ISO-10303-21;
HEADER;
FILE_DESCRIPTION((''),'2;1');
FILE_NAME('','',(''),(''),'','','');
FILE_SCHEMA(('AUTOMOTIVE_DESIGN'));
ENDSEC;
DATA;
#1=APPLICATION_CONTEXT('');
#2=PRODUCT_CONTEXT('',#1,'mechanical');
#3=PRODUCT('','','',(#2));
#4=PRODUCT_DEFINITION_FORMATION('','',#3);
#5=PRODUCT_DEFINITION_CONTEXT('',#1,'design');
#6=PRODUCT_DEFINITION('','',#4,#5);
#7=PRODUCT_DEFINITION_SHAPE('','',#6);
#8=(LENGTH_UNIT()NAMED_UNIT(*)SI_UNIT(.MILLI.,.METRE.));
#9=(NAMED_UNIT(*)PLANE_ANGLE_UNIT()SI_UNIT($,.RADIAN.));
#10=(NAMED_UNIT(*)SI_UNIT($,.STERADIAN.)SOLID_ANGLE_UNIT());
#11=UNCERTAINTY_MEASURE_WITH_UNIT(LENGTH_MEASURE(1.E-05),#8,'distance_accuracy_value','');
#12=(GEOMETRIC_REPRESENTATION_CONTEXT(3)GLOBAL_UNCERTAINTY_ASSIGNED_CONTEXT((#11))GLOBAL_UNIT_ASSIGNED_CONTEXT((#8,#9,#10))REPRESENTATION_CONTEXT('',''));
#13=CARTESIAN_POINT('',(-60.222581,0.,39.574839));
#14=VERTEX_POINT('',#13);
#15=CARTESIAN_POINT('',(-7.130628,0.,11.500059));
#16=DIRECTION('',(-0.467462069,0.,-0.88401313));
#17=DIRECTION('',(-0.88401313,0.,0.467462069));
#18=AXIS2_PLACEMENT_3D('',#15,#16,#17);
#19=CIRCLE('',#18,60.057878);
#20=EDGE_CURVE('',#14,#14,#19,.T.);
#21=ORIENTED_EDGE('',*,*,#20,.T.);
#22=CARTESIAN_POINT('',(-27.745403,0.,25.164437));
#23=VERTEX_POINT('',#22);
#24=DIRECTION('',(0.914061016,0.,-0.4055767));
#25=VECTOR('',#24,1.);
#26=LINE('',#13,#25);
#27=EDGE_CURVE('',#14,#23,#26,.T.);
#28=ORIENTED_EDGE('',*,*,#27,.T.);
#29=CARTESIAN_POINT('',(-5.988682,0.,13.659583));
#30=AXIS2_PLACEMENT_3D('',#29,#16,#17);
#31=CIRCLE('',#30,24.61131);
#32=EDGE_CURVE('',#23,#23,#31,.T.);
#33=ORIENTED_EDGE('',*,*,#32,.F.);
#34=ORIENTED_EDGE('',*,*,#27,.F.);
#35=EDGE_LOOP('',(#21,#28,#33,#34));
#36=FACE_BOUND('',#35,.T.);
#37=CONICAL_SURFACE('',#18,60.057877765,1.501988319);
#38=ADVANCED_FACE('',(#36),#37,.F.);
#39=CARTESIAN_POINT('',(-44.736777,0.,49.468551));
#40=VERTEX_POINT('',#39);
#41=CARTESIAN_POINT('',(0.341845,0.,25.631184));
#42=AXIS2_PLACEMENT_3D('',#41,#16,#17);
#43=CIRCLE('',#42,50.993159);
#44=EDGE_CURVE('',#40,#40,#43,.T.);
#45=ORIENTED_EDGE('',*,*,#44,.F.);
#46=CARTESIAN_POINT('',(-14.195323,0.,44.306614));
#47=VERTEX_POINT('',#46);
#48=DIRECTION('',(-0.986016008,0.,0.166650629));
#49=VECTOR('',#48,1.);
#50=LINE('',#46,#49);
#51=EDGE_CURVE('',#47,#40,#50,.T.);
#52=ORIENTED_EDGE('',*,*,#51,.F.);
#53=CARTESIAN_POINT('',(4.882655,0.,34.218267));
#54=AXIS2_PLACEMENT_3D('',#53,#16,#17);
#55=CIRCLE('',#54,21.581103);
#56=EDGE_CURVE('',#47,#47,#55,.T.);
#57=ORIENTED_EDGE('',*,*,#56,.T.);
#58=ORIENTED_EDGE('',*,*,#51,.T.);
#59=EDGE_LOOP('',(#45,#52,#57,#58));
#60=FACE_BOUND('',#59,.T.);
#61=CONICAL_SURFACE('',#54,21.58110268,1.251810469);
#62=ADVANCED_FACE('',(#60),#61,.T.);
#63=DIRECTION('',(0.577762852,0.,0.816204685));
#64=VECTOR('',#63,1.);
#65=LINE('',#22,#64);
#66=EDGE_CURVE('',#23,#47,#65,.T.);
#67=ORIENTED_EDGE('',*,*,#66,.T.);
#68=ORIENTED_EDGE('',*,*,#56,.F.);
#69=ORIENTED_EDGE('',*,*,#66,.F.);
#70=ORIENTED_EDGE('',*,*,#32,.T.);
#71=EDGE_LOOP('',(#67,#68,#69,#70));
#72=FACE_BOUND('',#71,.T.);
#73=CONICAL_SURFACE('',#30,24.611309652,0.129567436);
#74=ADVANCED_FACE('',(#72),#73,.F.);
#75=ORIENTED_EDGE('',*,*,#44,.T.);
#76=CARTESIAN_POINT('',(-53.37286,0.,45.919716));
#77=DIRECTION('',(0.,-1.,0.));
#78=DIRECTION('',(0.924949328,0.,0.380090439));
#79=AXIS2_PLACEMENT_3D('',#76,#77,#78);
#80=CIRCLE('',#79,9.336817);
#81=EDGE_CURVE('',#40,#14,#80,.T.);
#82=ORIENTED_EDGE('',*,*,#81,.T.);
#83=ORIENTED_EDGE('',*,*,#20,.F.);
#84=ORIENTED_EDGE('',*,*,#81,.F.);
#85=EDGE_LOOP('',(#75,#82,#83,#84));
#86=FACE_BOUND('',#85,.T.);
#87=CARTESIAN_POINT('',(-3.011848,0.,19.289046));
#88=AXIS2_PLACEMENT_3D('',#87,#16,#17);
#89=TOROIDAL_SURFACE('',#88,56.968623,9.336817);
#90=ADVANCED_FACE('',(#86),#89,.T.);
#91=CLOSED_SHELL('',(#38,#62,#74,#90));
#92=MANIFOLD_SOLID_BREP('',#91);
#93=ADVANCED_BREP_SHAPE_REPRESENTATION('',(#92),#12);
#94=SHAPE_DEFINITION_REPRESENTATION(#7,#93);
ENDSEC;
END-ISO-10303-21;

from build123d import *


with BuildPart() as f1:
    # F0 (on Front) → F1 (revolve)
    with BuildSketch(Plane.XZ):
        with BuildLine():
            ThreePointArc((-44.736777, 49.468551), (-58.399703, 53.787816), (-60.222581, 39.574839))
            Line((-60.222581, 39.574839), (-27.745403, 25.164437))
            Line((-27.745403, 25.164437), (-14.195323, 44.306614))
            Line((-14.195323, 44.306614), (-44.736777, 49.468551))
        make_face()
    revolve(axis=Axis((-3.850533, 0, 17.703017), (-0.467462, 0, -0.884013)))


solid = f1.part
